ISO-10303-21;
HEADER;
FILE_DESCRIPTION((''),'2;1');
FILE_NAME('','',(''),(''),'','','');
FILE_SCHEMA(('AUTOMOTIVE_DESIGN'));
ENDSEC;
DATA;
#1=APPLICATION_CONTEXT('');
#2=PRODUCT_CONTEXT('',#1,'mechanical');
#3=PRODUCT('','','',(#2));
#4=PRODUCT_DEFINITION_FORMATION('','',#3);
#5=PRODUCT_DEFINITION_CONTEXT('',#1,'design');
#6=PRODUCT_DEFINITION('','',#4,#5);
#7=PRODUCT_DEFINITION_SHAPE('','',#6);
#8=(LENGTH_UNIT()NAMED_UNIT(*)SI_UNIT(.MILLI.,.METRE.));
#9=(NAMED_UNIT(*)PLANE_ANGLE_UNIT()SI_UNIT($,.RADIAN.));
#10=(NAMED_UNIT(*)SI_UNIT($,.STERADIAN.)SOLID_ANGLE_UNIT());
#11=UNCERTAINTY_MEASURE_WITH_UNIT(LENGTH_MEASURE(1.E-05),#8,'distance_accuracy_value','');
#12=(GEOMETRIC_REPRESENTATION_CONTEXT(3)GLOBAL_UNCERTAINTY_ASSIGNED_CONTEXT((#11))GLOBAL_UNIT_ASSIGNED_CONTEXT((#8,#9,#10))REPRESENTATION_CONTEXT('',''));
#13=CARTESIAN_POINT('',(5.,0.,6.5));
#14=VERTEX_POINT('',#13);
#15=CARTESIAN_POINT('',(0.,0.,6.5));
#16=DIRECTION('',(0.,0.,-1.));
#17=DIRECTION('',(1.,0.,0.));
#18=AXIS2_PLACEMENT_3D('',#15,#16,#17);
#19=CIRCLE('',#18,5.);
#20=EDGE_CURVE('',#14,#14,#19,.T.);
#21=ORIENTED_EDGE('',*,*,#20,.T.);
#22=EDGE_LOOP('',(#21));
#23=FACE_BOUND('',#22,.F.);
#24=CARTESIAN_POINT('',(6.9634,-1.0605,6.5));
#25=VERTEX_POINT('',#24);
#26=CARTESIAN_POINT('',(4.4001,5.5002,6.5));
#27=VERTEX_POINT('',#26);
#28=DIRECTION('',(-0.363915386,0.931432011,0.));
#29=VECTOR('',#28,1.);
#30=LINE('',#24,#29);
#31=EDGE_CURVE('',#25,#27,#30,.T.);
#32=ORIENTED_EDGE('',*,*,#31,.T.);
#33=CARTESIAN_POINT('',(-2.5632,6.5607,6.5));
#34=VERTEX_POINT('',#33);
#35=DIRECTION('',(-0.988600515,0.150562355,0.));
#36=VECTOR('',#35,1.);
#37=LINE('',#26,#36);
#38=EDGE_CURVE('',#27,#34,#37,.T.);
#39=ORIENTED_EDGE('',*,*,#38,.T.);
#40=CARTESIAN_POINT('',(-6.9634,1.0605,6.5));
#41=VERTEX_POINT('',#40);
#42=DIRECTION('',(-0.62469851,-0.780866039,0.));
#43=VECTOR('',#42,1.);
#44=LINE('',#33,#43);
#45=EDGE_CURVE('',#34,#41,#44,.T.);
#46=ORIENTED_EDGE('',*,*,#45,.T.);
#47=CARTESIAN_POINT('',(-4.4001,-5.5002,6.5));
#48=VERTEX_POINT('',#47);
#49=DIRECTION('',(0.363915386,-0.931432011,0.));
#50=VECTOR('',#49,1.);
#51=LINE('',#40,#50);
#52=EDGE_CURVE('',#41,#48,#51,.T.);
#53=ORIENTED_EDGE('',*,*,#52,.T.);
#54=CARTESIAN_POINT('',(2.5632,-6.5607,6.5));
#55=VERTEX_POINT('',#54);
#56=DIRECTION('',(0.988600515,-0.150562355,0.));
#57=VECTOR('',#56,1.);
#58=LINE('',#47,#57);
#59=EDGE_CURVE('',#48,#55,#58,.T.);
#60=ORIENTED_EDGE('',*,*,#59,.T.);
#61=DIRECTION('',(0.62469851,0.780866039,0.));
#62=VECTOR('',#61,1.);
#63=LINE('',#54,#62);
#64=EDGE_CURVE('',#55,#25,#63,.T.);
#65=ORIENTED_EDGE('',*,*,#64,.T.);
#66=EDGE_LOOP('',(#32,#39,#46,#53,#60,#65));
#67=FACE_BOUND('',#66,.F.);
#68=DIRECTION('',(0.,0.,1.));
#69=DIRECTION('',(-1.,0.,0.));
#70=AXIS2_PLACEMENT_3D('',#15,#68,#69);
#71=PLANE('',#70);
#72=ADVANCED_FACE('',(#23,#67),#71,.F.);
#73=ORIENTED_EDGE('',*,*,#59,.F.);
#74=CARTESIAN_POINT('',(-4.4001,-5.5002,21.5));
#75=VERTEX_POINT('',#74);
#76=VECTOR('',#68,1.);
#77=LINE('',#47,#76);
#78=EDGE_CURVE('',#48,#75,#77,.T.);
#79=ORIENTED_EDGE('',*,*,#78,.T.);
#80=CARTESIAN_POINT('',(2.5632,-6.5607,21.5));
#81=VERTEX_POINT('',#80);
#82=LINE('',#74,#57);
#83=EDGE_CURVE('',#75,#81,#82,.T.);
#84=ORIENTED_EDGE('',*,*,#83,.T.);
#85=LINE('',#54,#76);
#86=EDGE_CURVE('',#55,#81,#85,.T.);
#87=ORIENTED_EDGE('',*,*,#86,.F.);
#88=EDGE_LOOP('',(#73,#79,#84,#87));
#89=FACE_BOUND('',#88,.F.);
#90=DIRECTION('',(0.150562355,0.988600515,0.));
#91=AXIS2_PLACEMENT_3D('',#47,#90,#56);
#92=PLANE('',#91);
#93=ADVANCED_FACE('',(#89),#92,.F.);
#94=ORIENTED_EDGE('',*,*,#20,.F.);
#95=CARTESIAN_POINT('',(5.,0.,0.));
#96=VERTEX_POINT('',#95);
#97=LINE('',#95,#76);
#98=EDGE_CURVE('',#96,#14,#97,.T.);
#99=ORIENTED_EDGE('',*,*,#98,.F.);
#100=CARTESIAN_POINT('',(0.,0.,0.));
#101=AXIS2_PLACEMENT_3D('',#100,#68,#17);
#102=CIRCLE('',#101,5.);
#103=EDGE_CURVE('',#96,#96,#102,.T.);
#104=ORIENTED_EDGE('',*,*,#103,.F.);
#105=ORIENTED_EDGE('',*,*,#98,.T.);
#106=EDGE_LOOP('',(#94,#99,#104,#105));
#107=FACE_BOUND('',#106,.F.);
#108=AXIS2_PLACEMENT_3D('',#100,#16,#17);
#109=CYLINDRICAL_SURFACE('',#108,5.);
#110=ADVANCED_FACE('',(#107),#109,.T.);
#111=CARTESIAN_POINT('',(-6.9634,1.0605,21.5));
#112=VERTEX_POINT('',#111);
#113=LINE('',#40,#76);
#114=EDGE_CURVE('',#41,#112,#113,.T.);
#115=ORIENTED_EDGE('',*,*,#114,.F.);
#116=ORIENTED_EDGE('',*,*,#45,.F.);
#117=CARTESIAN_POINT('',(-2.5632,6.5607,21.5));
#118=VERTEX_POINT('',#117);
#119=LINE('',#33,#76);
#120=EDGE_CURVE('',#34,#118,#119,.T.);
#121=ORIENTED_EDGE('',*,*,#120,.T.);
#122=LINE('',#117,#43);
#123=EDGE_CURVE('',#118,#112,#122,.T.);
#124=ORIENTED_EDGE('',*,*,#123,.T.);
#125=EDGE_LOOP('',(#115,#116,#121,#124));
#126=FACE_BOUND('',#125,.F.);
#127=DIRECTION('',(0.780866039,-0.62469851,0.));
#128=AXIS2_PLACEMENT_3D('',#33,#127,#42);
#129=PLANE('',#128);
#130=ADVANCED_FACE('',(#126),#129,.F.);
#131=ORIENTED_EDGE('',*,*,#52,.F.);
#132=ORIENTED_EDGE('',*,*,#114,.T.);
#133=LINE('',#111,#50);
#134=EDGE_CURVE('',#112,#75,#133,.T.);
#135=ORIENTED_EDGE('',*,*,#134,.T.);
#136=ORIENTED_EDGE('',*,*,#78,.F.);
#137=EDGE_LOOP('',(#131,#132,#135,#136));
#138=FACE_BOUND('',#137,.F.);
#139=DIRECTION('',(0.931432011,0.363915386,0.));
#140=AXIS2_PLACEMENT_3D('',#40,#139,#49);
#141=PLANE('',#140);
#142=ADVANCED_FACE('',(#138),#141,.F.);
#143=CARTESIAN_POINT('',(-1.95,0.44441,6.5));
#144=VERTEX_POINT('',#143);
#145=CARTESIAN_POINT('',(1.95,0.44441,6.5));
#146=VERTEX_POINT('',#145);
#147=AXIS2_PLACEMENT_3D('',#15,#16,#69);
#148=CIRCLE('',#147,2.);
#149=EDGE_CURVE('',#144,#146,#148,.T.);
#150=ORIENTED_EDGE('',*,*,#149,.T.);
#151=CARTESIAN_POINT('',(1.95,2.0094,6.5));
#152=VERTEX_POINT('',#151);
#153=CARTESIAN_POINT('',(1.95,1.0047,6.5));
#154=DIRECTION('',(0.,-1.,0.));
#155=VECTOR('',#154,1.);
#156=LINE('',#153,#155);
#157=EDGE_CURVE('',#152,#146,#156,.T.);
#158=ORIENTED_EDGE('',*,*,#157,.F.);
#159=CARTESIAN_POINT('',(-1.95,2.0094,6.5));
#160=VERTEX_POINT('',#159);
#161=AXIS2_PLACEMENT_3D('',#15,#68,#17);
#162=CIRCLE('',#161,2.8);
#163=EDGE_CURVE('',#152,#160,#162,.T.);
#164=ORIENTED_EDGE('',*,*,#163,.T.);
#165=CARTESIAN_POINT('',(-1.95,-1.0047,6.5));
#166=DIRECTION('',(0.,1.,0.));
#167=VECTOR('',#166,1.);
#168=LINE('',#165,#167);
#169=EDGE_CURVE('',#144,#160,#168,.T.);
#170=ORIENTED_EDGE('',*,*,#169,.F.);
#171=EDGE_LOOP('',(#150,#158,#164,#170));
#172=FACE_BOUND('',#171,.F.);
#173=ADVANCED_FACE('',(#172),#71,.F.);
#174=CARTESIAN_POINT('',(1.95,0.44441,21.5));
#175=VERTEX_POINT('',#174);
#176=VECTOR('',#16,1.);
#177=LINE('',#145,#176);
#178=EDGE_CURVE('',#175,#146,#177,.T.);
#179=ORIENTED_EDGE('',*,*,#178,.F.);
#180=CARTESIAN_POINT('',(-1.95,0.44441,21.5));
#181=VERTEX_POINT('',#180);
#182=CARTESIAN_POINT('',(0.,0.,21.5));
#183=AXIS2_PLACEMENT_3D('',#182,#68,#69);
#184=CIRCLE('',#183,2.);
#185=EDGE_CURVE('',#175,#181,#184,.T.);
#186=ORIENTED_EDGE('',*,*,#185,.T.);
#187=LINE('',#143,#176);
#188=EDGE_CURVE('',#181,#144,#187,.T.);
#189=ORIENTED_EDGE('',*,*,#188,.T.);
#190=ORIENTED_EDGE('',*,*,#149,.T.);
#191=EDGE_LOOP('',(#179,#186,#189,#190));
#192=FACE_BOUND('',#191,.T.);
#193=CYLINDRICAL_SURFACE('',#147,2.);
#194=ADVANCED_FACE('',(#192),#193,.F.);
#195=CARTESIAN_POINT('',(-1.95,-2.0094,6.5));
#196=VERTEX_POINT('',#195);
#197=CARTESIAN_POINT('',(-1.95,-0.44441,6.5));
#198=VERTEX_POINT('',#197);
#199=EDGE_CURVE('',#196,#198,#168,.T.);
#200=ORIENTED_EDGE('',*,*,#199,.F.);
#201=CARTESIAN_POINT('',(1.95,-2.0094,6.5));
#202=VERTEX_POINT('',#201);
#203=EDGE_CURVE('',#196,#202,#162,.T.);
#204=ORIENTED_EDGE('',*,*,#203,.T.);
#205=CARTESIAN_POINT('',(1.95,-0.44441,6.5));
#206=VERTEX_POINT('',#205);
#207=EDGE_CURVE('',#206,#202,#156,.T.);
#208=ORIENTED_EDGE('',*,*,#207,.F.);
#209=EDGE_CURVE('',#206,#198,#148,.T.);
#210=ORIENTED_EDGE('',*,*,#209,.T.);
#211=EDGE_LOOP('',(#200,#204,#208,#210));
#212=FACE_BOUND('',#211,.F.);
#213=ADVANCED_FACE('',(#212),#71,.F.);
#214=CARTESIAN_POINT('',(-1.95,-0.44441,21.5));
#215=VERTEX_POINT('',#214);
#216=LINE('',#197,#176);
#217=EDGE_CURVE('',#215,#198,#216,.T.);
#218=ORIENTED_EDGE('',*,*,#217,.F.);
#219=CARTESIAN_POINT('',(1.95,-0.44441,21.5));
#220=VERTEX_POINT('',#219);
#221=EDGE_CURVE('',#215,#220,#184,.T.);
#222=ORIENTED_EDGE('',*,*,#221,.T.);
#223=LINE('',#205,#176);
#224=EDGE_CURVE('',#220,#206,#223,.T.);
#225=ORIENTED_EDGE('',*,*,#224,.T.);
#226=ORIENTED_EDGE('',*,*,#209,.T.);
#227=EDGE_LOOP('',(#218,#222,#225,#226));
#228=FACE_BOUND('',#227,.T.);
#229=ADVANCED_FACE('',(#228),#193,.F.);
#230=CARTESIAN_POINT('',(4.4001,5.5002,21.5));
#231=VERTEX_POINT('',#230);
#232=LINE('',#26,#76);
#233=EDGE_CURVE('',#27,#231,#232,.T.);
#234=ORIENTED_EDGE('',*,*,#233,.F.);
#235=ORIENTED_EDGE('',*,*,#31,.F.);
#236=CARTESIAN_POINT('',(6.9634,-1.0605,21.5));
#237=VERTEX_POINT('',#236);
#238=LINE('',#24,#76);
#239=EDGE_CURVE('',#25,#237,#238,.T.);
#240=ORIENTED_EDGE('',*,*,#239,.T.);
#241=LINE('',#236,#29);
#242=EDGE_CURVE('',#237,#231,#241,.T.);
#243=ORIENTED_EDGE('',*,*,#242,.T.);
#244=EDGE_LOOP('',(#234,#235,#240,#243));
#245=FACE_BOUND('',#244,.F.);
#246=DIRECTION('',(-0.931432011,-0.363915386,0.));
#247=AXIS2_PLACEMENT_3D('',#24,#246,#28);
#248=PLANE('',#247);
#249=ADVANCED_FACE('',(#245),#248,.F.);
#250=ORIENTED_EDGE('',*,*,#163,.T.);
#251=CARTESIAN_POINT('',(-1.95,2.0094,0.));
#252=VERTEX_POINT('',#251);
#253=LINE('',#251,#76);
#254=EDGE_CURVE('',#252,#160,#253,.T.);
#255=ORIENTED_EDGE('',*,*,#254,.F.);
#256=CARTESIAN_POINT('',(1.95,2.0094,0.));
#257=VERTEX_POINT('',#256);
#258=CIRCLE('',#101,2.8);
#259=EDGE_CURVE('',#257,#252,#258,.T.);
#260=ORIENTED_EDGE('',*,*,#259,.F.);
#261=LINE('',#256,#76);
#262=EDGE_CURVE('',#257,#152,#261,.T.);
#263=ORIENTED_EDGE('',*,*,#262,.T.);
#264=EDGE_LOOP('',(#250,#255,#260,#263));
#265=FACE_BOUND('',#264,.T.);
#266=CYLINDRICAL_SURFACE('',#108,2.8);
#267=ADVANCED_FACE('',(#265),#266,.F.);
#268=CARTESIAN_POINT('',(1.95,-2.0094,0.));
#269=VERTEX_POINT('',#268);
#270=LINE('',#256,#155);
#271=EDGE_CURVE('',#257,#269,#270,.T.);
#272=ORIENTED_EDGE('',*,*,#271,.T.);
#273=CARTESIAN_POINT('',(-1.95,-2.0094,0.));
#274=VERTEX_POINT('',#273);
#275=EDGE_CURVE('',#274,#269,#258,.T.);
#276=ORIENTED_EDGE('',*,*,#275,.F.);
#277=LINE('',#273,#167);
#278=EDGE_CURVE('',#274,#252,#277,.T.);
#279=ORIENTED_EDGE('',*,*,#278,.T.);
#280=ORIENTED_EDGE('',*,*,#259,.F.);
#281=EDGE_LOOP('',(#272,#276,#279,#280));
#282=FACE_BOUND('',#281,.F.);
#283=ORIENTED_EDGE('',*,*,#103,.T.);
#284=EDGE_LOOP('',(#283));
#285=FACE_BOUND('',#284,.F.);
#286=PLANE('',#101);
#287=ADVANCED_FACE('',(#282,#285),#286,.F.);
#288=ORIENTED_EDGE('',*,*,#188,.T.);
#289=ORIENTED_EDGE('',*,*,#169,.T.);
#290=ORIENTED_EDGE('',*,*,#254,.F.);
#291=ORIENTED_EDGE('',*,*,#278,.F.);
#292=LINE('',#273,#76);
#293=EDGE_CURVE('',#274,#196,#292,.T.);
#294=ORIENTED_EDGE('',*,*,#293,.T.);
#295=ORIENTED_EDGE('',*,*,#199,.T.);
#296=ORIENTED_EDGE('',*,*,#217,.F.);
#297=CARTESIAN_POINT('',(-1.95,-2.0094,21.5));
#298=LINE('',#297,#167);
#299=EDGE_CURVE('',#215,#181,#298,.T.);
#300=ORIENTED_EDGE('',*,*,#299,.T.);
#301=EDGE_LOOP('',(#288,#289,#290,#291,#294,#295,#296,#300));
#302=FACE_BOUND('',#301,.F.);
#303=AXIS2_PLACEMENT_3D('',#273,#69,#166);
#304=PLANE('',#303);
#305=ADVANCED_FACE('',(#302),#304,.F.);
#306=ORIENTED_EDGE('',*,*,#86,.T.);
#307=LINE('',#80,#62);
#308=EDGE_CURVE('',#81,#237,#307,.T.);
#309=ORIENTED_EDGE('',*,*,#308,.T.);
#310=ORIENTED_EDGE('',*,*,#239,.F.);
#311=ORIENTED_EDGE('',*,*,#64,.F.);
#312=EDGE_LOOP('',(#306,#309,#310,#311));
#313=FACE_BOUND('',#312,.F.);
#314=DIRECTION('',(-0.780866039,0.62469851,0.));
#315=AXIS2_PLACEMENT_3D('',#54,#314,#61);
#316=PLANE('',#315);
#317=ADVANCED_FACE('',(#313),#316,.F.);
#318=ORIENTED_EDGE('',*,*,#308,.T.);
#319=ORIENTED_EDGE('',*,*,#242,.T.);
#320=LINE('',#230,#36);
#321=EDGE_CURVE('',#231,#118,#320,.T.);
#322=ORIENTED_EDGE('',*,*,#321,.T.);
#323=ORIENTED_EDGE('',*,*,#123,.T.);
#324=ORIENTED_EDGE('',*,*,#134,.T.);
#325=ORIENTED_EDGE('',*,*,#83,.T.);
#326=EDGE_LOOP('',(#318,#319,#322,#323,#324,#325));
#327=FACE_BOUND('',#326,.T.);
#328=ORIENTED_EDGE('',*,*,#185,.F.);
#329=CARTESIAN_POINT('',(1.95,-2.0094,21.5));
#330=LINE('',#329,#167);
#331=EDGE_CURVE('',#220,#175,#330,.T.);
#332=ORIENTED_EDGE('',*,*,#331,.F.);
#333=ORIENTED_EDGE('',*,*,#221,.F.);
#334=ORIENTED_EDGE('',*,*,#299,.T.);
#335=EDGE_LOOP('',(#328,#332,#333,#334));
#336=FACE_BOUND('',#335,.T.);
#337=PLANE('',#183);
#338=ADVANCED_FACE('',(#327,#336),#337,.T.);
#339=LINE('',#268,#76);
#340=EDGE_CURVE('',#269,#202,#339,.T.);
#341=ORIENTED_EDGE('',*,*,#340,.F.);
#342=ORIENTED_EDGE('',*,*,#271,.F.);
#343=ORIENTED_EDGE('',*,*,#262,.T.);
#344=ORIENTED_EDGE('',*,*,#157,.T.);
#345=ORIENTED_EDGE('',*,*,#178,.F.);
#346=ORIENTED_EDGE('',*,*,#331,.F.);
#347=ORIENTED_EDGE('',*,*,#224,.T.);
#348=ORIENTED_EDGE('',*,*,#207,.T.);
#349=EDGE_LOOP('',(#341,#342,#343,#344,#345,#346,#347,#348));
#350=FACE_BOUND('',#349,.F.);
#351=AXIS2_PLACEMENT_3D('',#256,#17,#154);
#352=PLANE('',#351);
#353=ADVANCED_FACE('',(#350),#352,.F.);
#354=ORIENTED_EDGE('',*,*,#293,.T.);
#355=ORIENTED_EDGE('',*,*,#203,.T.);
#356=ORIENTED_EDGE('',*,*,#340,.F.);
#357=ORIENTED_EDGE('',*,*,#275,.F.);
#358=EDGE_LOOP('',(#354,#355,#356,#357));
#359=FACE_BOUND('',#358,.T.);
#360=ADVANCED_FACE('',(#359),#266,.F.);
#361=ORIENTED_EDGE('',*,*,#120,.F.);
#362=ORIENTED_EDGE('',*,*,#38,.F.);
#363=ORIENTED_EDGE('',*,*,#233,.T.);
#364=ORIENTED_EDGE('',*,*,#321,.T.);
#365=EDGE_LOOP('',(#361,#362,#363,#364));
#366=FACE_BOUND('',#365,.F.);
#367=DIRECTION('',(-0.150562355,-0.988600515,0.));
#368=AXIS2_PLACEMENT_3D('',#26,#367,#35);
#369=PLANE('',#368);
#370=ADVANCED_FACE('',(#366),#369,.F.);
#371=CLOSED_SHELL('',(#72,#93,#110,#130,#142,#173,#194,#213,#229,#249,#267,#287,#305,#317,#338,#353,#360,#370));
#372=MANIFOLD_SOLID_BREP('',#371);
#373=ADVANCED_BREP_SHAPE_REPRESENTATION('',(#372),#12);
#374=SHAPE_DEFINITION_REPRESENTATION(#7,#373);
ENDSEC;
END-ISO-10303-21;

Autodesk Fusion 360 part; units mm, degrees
sketch "Skizze1" plane through (0, 0, 0) normal (0, 0, 1) x (1, 0, 0)
  line L0 (1.95, -2.0094) -> (-1.95, 2.0094) construction
  line L1 (-1.95, 2.0094) -> (1.95, 2.0094)
  circle A0 centre (0, 0) radius 5
  line L2 (1.95, 2.0094) -> (1.95, -2.0094)
  line L3 (-1.95, -2.0094) -> (1.95, 2.0094) construction
  circle A1 centre (0, 0) radius 2.8
  line L4 (-1.95, -2.0094) -> (-1.95, 2.0094)
  line L5 (1.95, -2.0094) -> (-1.95, -2.0094)
  dimension "d1" = 5.6
  dimension "d2" = 10
  dimension "d3" = 3.9
extrude "Extrusion1" add sketch "Skizze1" along normal blind 6.5 contours A1 L4 | L2 A1 | A0
sketch "Skizze2" plane through (0, 0, 6.5) normal (0, 0, 1) x (-1, 0, 0)
  arc A0 (-1.95, -2.0094) -> (1.95, -2.0094) centre (0, 0) ccw
  line L0 (-1.95, -2.0094) -> (-1.95, 2.0094)
  arc A1 (1.95, 2.0094) -> (-1.95, 2.0094) centre (0, 0) ccw
  line L1 (1.95, 2.0094) -> (1.95, -2.0094)
  circle A2 centre (0, 0) radius 5
  line L2 (-6.9634, 1.0605) -> (-4.4001, -5.5002)
  line L3 (-4.4001, -5.5002) -> (2.5632, -6.5607)
  line L4 (2.5632, -6.5607) -> (6.9634, -1.0605)
  line L5 (6.9634, -1.0605) -> (4.4001, 5.5002)
  line L6 (4.4001, 5.5002) -> (-2.5632, 6.5607)
  line L7 (-2.5632, 6.5607) -> (-6.9634, 1.0605)
  circle A3 centre (0, 0) radius 2
  dimension "d6" = 6.1
  dimension "d9" = 4
extrude "Extrusion2" add sketch "Skizze2" along normal blind 15 contours L0 A3 | L1 A3 | A2 | L2 L3 L4 L5 L6 L7
extrude "Extrusion3" add sketch "Skizze2" along normal blind 15 contours A0 L0 L1 A3 | L0 A1 L1 A3 | A2
